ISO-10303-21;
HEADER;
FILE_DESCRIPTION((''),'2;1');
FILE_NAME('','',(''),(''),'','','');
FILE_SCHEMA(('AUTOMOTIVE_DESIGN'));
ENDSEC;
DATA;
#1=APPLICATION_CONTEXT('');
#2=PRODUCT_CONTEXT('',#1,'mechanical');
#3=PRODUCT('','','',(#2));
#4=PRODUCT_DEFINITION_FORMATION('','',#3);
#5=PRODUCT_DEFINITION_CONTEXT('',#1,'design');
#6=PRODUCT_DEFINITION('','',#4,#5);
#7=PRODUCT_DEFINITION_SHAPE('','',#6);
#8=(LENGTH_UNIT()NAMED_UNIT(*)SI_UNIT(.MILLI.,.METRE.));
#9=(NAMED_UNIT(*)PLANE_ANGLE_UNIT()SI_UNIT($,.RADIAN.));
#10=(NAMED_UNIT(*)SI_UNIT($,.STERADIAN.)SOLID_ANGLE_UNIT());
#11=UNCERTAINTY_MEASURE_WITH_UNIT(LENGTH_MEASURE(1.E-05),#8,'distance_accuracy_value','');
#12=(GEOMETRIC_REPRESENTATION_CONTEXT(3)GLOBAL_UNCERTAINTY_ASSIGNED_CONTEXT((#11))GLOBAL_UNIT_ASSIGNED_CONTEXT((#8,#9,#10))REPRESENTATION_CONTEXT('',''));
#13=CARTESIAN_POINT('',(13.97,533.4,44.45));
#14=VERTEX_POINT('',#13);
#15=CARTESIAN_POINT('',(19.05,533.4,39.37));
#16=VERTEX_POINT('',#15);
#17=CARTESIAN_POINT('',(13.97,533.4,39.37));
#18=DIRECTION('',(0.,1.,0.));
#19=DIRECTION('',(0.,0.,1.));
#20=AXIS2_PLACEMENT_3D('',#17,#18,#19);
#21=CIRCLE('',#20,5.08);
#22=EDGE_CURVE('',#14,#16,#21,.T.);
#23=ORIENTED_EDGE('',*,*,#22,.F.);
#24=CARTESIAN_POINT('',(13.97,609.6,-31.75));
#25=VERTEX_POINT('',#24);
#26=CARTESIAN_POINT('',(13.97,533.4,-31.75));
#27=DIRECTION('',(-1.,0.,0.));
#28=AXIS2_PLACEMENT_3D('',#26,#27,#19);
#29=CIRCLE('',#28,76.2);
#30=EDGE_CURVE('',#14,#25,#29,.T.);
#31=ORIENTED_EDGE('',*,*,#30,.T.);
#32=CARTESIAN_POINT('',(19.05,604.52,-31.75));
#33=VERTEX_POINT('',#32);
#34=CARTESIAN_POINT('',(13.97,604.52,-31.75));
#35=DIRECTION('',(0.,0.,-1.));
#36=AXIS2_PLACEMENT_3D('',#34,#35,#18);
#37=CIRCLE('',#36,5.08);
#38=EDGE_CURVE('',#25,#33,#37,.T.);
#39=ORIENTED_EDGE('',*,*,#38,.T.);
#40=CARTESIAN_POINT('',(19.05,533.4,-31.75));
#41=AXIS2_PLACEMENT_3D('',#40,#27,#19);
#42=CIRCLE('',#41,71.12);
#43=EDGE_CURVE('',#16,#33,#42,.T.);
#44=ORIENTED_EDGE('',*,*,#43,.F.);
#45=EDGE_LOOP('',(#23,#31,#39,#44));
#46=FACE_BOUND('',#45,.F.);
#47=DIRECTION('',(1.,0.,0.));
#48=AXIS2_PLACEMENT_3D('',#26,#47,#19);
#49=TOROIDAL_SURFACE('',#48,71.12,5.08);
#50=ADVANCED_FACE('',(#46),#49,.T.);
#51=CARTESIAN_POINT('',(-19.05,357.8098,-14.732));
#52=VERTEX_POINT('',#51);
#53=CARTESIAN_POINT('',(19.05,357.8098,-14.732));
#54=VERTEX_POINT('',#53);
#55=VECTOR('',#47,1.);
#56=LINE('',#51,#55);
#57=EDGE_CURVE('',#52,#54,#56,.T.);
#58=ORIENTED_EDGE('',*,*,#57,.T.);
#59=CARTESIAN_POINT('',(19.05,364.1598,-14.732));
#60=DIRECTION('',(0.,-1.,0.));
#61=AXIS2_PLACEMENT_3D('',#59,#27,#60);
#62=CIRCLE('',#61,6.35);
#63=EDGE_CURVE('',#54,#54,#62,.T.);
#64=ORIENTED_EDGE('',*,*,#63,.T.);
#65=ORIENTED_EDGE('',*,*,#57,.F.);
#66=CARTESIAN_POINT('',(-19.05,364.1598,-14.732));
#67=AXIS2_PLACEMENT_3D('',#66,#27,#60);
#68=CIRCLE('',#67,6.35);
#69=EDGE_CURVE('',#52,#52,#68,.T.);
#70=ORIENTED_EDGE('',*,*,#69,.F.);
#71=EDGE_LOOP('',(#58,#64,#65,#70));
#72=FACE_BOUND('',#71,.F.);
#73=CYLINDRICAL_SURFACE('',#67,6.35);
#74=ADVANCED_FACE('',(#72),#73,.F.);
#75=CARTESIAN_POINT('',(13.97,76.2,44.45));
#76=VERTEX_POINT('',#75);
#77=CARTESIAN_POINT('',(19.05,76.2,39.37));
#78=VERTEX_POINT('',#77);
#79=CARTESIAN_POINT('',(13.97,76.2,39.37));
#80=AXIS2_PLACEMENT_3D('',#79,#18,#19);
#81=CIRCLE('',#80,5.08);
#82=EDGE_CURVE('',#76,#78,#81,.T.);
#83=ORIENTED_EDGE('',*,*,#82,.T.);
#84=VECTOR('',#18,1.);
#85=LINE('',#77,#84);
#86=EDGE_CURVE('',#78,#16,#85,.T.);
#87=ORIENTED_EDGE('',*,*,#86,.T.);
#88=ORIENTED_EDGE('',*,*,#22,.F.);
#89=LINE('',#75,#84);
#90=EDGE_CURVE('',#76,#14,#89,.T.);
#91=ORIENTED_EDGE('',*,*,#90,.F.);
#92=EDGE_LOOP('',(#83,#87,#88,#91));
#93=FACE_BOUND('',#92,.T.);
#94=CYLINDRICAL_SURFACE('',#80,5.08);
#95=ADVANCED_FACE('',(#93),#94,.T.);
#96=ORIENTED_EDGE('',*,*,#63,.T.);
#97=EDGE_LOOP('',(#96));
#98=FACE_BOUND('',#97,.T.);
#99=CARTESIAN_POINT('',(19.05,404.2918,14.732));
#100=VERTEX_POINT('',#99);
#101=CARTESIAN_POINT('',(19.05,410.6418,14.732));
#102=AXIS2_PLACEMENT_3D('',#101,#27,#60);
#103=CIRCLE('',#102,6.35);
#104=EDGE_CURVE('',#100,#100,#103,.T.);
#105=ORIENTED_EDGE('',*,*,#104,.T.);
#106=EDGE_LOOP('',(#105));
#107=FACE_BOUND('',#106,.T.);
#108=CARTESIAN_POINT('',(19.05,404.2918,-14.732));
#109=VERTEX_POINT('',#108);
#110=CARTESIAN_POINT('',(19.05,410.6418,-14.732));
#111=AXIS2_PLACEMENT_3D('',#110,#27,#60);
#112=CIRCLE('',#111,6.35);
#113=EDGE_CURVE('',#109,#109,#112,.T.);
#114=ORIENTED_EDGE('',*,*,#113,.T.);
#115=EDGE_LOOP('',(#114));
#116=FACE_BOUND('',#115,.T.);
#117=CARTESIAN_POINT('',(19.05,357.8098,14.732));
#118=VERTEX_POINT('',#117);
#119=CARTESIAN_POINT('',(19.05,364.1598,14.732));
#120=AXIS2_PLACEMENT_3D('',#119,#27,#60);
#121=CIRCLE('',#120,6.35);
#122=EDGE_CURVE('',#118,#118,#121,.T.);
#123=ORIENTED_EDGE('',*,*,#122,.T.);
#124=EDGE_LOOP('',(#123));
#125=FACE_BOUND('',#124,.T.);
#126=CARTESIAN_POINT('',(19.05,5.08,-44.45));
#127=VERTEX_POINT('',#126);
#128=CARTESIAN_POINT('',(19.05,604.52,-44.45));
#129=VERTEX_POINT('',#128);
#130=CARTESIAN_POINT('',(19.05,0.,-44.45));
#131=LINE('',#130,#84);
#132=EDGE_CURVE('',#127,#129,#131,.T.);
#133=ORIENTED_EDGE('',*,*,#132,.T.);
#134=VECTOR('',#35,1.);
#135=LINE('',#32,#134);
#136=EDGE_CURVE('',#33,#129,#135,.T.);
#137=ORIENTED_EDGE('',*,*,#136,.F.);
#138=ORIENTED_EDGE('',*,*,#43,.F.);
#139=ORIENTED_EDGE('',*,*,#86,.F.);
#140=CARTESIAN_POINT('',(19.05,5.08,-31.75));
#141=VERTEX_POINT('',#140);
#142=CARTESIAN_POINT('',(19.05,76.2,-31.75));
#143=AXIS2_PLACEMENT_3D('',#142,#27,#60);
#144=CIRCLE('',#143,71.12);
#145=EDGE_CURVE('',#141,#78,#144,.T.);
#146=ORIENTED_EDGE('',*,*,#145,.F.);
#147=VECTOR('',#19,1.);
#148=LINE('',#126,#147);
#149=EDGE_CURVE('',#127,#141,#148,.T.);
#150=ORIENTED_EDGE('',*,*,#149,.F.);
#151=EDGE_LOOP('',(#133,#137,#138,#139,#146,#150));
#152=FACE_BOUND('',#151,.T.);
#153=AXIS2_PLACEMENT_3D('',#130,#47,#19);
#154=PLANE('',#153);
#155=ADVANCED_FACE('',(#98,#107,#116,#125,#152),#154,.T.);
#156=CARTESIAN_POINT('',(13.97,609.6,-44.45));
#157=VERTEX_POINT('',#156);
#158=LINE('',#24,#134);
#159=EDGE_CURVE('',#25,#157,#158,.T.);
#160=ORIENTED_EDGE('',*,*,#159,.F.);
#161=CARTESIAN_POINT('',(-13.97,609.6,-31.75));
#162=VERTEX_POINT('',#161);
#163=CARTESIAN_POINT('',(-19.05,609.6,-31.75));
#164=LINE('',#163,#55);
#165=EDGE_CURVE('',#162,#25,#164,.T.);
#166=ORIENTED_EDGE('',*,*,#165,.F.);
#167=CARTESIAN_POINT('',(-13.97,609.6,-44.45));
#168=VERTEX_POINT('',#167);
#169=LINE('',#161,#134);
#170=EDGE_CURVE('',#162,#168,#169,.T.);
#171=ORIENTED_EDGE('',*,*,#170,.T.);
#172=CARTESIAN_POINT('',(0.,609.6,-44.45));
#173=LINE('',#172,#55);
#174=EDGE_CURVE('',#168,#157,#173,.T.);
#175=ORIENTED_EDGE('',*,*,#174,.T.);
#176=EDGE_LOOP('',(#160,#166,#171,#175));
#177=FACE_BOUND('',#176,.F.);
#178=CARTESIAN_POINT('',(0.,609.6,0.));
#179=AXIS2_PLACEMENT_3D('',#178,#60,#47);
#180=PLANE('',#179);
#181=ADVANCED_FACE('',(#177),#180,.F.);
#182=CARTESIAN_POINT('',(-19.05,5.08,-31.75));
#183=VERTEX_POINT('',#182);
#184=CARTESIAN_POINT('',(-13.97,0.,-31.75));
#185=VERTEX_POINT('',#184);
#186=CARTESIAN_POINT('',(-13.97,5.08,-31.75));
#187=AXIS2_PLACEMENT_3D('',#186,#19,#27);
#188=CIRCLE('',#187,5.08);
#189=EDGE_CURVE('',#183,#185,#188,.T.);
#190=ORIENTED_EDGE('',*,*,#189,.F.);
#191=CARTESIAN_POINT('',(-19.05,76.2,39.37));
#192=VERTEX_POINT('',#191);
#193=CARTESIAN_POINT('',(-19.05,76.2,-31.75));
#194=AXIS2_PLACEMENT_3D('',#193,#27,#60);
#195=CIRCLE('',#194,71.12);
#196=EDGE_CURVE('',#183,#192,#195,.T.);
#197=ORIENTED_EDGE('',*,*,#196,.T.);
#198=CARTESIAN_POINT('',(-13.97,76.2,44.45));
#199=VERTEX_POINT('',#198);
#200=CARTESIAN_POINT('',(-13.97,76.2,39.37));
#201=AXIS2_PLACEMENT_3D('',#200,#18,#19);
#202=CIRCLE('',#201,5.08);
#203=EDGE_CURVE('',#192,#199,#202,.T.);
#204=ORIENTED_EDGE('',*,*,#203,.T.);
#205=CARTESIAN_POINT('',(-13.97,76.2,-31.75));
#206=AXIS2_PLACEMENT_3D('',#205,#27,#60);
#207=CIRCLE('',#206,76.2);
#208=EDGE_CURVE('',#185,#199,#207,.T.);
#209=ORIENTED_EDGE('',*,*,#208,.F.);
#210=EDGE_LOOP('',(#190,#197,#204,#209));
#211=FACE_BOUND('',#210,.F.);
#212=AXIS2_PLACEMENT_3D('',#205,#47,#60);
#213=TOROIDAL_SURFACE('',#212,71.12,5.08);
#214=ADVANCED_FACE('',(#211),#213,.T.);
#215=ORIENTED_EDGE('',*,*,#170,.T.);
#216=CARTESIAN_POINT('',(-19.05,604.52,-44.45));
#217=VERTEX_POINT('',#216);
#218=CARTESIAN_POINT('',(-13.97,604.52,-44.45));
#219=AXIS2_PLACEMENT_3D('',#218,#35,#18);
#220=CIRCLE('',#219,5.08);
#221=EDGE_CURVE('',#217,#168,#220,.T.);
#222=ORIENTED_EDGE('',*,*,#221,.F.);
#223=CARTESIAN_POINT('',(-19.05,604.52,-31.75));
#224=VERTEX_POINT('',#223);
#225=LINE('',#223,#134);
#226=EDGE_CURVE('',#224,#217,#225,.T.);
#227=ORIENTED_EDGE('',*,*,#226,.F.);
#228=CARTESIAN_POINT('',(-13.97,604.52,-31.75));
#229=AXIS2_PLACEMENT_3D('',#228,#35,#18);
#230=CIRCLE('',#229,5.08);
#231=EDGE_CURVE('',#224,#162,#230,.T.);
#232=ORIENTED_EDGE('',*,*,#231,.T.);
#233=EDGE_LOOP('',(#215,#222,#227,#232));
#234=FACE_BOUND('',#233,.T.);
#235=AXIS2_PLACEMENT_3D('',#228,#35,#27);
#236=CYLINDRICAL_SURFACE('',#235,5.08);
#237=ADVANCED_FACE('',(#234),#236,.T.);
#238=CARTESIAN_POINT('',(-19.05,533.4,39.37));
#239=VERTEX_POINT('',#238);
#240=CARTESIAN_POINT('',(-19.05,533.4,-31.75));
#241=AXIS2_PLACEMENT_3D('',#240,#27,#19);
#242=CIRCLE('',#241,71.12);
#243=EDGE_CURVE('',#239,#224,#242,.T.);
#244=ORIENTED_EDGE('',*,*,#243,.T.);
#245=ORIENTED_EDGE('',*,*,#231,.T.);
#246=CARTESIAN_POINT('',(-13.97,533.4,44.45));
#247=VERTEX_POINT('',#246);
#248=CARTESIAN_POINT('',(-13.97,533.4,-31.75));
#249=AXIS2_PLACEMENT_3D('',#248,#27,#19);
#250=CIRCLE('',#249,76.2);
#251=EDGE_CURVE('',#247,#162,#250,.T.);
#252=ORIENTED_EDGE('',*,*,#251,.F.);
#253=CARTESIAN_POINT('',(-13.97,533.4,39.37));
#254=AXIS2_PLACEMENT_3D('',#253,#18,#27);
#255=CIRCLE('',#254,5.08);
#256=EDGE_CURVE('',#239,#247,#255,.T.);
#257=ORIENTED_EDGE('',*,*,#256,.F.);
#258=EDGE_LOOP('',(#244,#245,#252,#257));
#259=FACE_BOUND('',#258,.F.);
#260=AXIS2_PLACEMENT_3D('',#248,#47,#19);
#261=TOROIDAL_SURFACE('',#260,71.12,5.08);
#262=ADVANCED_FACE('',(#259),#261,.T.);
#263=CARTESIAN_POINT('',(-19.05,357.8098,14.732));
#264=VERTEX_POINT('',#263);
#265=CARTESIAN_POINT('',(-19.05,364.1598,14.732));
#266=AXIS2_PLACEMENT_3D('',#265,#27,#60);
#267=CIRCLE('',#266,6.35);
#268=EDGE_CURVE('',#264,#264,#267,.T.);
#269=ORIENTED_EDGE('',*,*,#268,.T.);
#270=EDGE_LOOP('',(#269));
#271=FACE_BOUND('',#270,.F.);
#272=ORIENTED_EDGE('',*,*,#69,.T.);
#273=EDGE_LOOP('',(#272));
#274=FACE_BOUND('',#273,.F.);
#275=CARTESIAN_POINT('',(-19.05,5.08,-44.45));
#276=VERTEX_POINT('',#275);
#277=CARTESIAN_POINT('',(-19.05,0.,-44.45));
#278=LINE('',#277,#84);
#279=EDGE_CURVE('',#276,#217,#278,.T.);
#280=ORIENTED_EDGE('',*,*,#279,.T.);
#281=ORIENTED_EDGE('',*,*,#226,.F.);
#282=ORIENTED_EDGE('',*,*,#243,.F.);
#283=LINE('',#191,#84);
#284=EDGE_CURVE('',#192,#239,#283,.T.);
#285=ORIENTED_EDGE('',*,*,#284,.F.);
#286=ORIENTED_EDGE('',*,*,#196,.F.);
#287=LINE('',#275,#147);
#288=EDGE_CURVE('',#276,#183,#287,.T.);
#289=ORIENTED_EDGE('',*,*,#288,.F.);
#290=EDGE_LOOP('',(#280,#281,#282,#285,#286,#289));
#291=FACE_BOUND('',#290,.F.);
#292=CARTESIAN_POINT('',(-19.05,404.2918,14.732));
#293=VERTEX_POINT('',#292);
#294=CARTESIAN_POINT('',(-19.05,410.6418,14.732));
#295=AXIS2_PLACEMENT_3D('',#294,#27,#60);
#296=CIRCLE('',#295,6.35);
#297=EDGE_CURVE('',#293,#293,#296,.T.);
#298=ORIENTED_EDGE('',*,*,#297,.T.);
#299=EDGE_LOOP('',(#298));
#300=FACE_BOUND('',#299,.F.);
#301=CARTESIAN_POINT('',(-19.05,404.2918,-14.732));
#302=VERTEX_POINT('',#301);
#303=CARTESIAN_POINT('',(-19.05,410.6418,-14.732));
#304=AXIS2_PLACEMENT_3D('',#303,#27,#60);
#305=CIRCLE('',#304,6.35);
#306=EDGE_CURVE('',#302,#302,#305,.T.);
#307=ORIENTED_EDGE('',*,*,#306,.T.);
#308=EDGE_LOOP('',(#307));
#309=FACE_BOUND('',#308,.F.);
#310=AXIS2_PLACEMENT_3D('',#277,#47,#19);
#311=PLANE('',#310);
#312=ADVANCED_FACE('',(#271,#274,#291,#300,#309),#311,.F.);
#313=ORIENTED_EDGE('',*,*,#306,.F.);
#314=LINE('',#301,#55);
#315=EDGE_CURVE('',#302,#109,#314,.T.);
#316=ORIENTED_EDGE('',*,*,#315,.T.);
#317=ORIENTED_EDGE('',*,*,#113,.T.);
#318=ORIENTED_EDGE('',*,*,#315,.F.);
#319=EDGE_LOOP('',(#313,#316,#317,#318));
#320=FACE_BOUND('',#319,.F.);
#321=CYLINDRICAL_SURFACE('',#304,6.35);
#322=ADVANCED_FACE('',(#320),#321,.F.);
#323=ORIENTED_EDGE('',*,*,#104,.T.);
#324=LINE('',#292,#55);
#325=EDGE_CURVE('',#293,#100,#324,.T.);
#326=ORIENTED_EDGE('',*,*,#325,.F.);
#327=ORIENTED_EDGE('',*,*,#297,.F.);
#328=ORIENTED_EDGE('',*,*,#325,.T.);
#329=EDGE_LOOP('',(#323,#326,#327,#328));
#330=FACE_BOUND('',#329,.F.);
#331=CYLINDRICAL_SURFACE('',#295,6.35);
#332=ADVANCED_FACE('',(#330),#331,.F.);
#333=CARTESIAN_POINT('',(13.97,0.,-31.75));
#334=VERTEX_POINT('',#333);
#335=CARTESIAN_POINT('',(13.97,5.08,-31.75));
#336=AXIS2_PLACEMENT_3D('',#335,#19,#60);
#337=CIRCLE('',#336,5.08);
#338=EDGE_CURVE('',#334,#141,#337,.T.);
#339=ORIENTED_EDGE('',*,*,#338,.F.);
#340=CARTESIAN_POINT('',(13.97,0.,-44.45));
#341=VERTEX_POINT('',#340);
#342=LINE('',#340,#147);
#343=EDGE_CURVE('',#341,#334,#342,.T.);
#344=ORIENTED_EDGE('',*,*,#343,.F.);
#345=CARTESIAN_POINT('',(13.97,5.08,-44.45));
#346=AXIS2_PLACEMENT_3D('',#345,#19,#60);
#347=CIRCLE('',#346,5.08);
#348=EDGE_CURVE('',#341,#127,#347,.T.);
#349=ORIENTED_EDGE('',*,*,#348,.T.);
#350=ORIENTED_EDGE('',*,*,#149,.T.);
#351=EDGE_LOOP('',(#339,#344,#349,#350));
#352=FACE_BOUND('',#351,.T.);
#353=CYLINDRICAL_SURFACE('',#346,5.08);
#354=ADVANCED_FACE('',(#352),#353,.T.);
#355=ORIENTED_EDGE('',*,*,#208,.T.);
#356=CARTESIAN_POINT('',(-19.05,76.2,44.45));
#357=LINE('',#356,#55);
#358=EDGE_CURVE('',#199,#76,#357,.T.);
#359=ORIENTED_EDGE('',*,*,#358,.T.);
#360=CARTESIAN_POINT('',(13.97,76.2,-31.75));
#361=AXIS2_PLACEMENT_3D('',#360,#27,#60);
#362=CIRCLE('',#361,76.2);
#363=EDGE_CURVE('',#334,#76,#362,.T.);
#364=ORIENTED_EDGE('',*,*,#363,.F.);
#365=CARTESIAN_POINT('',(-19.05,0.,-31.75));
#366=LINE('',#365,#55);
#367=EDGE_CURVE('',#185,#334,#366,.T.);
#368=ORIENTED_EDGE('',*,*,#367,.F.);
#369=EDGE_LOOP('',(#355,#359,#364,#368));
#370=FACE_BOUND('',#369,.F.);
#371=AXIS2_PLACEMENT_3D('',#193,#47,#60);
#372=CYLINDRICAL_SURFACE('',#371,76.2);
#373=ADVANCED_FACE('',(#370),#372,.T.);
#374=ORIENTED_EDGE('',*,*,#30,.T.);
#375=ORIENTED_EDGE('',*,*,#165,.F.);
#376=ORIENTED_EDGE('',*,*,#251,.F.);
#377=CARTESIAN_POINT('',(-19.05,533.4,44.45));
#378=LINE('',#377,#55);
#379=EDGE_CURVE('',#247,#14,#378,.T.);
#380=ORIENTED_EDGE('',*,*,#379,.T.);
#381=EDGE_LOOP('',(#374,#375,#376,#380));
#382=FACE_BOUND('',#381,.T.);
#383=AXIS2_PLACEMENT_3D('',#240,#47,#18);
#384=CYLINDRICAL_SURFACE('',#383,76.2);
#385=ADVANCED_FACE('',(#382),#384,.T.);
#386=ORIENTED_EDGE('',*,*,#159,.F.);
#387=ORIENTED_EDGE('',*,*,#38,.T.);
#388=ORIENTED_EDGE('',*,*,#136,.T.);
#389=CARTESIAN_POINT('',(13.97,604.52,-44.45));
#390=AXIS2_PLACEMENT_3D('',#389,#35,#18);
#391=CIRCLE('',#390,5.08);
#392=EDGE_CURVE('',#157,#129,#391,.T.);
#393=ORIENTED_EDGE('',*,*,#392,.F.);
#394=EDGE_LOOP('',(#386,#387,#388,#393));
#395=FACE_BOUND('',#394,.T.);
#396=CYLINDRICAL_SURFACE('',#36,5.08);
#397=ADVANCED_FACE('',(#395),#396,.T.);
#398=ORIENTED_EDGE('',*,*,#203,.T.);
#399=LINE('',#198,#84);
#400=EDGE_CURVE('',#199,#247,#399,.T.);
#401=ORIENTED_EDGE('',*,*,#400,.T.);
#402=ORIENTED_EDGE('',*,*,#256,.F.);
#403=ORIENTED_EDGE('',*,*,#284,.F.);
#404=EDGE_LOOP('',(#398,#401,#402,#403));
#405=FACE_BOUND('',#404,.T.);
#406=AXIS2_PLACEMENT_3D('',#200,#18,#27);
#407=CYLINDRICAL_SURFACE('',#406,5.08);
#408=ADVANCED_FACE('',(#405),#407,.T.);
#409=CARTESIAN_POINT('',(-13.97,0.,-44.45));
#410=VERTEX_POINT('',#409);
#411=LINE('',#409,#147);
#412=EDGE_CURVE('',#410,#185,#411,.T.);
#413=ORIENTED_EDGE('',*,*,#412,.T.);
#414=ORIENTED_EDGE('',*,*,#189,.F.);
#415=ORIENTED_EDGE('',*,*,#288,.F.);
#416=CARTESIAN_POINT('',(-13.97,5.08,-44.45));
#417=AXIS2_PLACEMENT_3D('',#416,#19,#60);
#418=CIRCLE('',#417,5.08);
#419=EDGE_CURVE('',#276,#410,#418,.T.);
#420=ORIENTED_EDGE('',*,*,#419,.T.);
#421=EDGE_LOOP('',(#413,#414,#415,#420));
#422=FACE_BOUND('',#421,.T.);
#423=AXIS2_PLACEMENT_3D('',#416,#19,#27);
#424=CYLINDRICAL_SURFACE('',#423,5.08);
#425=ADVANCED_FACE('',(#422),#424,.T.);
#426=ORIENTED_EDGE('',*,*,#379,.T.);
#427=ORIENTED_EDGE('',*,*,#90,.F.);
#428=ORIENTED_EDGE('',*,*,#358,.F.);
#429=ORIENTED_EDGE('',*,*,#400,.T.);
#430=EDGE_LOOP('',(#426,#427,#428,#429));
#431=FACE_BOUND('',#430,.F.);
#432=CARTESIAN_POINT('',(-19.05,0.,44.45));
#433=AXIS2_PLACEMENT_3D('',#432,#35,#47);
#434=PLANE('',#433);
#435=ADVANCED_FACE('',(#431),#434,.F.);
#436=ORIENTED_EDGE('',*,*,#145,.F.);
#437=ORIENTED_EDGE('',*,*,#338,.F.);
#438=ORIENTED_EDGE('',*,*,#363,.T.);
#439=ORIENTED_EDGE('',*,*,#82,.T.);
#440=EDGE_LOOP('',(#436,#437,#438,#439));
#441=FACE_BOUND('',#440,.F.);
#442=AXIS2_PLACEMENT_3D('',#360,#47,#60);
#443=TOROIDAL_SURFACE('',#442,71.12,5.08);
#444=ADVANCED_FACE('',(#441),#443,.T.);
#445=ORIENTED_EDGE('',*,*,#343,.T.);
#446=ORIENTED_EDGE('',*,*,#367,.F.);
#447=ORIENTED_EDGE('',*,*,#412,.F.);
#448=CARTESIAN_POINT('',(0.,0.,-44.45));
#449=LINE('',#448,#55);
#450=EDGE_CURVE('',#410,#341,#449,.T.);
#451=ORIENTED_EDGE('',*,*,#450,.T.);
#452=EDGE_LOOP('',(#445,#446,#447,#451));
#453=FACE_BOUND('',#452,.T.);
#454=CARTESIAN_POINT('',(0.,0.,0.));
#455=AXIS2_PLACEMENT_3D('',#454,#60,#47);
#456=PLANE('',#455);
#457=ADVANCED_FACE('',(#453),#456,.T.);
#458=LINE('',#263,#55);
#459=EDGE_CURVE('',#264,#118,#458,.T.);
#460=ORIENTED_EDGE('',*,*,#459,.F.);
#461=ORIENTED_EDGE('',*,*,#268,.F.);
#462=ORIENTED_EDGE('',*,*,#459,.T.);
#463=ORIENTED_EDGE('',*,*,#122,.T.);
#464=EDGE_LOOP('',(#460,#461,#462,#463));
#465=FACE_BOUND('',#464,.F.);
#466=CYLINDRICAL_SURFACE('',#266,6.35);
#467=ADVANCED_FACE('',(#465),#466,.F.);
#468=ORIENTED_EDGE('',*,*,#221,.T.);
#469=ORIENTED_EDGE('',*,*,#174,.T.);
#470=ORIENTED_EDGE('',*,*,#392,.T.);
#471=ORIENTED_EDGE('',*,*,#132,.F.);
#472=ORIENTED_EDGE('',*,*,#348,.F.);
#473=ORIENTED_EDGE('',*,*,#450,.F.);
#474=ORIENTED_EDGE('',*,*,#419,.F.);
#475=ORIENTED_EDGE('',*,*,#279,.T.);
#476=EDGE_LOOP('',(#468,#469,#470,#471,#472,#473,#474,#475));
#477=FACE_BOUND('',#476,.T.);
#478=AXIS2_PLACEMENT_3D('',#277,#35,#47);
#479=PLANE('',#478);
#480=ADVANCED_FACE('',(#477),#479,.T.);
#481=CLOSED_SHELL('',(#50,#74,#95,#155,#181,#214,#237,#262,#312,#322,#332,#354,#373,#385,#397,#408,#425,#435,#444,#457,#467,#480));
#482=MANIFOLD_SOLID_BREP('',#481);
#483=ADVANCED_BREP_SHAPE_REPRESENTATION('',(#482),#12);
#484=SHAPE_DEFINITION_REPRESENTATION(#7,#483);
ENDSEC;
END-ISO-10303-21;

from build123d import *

# Parameters (mm, degrees)
F0_W     = 38.1
F0_H     = 88.9
F1_DEPTH = 609.6
F2_R     = 6.35
F3_DEPTH = 38.1
F4_R     = 76.2
F5_R     = 5.08


with BuildPart() as f1:
    # F0 (on Front) → F1 (new body)
    with BuildSketch(Plane.XZ):
        Rectangle(F0_W, F0_H)
    extrude(amount=-F1_DEPTH)

    # F2 (on face) → F3 (cut)
    with BuildSketch(Plane(origin=(-19.05, 0, 0), x_dir=(0, -1, 0), z_dir=(-1, 0, 0))):
        with Locations((-410.6418, 14.732)):
            Circle(F2_R)
        with Locations((-410.6418, -14.732)):
            Circle(F2_R)
        with Locations((-364.1598, 14.732)):
            Circle(F2_R)
        with Locations((-364.1598, -14.732)):
            Circle(F2_R)
    extrude(amount=-F3_DEPTH, mode=Mode.SUBTRACT)

    # F4
    f4_edges = [f1.edges().sort_by_distance(p)[0] for p in [
        (0, 609.6, 44.45),
        (0, 0, 44.45),
    ]]
    fillet(f4_edges, radius=F4_R)

    # F5
    f5_edges = [f1.edges().sort_by_distance(p)[0] for p in [
        (-19.05, 304.8, 44.45),
        (19.05, 304.8, 44.45),
    ]]
    fillet(f5_edges, radius=F5_R)


solid = f1.part
